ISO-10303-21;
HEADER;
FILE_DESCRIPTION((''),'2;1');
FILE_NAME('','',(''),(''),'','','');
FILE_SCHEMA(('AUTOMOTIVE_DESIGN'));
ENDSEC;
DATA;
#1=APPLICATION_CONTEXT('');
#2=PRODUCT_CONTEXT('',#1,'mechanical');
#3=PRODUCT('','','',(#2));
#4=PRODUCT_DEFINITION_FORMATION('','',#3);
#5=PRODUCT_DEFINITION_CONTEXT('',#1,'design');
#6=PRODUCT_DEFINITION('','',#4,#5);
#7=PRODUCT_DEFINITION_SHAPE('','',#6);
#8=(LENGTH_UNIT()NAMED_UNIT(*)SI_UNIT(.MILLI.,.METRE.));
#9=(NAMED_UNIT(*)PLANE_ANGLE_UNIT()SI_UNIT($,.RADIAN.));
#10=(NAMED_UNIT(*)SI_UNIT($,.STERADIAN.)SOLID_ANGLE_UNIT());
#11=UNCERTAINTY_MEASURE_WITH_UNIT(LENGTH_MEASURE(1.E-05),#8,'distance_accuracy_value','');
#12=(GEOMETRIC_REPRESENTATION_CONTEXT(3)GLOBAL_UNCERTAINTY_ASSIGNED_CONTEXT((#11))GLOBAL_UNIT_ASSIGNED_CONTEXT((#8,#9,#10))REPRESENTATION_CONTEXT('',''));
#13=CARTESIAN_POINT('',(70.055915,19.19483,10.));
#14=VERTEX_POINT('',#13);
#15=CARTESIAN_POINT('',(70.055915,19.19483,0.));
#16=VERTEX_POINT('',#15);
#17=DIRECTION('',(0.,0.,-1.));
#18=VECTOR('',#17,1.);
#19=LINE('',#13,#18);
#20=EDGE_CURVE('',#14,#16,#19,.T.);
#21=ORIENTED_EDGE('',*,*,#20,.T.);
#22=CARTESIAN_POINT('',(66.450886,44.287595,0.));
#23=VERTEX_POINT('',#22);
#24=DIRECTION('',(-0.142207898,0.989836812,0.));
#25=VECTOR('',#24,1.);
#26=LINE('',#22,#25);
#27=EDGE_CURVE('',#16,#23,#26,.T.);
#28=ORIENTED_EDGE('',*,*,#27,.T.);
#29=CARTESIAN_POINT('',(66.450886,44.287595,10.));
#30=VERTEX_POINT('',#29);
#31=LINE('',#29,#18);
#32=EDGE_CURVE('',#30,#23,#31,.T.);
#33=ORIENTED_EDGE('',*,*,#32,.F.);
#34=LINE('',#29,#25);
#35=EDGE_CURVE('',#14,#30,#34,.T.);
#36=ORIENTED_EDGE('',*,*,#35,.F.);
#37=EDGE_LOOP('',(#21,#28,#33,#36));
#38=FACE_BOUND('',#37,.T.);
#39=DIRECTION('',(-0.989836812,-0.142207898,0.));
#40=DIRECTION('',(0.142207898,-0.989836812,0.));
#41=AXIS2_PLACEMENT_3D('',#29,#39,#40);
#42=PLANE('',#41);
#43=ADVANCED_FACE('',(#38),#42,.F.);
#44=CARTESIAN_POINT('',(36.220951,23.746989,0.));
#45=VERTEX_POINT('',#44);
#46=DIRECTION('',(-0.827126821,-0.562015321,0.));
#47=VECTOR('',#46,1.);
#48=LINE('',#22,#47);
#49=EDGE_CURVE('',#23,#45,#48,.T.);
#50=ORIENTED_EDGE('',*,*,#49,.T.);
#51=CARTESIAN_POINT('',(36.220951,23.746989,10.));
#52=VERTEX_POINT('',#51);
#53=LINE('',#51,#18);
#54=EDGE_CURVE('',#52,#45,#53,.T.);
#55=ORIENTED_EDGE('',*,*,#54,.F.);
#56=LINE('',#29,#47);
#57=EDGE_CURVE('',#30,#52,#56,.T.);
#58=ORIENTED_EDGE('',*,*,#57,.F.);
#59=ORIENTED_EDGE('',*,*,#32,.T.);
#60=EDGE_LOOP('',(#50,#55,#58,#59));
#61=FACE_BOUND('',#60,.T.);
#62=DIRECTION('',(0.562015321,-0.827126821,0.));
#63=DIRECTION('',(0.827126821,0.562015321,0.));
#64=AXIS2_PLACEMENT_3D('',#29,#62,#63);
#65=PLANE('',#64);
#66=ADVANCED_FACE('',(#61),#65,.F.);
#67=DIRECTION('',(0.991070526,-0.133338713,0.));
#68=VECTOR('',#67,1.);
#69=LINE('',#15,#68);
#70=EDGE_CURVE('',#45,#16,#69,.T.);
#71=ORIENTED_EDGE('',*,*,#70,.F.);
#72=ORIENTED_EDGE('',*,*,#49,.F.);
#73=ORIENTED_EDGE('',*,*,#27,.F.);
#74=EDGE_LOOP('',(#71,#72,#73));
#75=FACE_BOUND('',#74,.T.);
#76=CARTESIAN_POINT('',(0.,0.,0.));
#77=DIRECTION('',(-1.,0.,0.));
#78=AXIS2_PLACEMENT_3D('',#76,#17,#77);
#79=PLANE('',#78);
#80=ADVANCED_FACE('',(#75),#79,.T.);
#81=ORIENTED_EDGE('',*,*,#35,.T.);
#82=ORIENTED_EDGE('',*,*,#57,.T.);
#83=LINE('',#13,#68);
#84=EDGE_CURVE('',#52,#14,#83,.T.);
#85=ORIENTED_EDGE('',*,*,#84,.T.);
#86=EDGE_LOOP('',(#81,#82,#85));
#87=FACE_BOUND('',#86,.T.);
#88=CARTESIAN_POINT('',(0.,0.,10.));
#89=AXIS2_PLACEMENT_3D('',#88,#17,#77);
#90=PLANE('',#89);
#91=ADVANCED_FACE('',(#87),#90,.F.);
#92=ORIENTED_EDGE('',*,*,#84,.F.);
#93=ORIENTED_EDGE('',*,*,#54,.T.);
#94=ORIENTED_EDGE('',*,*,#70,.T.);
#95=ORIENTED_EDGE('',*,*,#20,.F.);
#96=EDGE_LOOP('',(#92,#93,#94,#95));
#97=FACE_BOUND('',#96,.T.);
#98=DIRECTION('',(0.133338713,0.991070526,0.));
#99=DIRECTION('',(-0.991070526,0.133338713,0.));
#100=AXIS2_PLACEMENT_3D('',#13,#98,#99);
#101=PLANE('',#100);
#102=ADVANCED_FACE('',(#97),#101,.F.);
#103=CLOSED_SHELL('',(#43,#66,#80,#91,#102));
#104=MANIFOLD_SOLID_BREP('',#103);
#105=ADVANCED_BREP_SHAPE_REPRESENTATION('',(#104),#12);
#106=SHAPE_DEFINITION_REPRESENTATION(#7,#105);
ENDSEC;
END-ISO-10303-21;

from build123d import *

# Parameters (mm, degrees)
EXTRUDE_1_DEPTH = 10


with BuildPart() as part:
    # 草图1 → 凸台-拉伸1 (new body)
    with BuildSketch(Plane.XY):
        Polygon((66.45088649, 44.287595488), (36.22095113, 23.74698866), (70.055914542, 19.194829802), align=None)
    extrude(amount=EXTRUDE_1_DEPTH)


solid = part.part
